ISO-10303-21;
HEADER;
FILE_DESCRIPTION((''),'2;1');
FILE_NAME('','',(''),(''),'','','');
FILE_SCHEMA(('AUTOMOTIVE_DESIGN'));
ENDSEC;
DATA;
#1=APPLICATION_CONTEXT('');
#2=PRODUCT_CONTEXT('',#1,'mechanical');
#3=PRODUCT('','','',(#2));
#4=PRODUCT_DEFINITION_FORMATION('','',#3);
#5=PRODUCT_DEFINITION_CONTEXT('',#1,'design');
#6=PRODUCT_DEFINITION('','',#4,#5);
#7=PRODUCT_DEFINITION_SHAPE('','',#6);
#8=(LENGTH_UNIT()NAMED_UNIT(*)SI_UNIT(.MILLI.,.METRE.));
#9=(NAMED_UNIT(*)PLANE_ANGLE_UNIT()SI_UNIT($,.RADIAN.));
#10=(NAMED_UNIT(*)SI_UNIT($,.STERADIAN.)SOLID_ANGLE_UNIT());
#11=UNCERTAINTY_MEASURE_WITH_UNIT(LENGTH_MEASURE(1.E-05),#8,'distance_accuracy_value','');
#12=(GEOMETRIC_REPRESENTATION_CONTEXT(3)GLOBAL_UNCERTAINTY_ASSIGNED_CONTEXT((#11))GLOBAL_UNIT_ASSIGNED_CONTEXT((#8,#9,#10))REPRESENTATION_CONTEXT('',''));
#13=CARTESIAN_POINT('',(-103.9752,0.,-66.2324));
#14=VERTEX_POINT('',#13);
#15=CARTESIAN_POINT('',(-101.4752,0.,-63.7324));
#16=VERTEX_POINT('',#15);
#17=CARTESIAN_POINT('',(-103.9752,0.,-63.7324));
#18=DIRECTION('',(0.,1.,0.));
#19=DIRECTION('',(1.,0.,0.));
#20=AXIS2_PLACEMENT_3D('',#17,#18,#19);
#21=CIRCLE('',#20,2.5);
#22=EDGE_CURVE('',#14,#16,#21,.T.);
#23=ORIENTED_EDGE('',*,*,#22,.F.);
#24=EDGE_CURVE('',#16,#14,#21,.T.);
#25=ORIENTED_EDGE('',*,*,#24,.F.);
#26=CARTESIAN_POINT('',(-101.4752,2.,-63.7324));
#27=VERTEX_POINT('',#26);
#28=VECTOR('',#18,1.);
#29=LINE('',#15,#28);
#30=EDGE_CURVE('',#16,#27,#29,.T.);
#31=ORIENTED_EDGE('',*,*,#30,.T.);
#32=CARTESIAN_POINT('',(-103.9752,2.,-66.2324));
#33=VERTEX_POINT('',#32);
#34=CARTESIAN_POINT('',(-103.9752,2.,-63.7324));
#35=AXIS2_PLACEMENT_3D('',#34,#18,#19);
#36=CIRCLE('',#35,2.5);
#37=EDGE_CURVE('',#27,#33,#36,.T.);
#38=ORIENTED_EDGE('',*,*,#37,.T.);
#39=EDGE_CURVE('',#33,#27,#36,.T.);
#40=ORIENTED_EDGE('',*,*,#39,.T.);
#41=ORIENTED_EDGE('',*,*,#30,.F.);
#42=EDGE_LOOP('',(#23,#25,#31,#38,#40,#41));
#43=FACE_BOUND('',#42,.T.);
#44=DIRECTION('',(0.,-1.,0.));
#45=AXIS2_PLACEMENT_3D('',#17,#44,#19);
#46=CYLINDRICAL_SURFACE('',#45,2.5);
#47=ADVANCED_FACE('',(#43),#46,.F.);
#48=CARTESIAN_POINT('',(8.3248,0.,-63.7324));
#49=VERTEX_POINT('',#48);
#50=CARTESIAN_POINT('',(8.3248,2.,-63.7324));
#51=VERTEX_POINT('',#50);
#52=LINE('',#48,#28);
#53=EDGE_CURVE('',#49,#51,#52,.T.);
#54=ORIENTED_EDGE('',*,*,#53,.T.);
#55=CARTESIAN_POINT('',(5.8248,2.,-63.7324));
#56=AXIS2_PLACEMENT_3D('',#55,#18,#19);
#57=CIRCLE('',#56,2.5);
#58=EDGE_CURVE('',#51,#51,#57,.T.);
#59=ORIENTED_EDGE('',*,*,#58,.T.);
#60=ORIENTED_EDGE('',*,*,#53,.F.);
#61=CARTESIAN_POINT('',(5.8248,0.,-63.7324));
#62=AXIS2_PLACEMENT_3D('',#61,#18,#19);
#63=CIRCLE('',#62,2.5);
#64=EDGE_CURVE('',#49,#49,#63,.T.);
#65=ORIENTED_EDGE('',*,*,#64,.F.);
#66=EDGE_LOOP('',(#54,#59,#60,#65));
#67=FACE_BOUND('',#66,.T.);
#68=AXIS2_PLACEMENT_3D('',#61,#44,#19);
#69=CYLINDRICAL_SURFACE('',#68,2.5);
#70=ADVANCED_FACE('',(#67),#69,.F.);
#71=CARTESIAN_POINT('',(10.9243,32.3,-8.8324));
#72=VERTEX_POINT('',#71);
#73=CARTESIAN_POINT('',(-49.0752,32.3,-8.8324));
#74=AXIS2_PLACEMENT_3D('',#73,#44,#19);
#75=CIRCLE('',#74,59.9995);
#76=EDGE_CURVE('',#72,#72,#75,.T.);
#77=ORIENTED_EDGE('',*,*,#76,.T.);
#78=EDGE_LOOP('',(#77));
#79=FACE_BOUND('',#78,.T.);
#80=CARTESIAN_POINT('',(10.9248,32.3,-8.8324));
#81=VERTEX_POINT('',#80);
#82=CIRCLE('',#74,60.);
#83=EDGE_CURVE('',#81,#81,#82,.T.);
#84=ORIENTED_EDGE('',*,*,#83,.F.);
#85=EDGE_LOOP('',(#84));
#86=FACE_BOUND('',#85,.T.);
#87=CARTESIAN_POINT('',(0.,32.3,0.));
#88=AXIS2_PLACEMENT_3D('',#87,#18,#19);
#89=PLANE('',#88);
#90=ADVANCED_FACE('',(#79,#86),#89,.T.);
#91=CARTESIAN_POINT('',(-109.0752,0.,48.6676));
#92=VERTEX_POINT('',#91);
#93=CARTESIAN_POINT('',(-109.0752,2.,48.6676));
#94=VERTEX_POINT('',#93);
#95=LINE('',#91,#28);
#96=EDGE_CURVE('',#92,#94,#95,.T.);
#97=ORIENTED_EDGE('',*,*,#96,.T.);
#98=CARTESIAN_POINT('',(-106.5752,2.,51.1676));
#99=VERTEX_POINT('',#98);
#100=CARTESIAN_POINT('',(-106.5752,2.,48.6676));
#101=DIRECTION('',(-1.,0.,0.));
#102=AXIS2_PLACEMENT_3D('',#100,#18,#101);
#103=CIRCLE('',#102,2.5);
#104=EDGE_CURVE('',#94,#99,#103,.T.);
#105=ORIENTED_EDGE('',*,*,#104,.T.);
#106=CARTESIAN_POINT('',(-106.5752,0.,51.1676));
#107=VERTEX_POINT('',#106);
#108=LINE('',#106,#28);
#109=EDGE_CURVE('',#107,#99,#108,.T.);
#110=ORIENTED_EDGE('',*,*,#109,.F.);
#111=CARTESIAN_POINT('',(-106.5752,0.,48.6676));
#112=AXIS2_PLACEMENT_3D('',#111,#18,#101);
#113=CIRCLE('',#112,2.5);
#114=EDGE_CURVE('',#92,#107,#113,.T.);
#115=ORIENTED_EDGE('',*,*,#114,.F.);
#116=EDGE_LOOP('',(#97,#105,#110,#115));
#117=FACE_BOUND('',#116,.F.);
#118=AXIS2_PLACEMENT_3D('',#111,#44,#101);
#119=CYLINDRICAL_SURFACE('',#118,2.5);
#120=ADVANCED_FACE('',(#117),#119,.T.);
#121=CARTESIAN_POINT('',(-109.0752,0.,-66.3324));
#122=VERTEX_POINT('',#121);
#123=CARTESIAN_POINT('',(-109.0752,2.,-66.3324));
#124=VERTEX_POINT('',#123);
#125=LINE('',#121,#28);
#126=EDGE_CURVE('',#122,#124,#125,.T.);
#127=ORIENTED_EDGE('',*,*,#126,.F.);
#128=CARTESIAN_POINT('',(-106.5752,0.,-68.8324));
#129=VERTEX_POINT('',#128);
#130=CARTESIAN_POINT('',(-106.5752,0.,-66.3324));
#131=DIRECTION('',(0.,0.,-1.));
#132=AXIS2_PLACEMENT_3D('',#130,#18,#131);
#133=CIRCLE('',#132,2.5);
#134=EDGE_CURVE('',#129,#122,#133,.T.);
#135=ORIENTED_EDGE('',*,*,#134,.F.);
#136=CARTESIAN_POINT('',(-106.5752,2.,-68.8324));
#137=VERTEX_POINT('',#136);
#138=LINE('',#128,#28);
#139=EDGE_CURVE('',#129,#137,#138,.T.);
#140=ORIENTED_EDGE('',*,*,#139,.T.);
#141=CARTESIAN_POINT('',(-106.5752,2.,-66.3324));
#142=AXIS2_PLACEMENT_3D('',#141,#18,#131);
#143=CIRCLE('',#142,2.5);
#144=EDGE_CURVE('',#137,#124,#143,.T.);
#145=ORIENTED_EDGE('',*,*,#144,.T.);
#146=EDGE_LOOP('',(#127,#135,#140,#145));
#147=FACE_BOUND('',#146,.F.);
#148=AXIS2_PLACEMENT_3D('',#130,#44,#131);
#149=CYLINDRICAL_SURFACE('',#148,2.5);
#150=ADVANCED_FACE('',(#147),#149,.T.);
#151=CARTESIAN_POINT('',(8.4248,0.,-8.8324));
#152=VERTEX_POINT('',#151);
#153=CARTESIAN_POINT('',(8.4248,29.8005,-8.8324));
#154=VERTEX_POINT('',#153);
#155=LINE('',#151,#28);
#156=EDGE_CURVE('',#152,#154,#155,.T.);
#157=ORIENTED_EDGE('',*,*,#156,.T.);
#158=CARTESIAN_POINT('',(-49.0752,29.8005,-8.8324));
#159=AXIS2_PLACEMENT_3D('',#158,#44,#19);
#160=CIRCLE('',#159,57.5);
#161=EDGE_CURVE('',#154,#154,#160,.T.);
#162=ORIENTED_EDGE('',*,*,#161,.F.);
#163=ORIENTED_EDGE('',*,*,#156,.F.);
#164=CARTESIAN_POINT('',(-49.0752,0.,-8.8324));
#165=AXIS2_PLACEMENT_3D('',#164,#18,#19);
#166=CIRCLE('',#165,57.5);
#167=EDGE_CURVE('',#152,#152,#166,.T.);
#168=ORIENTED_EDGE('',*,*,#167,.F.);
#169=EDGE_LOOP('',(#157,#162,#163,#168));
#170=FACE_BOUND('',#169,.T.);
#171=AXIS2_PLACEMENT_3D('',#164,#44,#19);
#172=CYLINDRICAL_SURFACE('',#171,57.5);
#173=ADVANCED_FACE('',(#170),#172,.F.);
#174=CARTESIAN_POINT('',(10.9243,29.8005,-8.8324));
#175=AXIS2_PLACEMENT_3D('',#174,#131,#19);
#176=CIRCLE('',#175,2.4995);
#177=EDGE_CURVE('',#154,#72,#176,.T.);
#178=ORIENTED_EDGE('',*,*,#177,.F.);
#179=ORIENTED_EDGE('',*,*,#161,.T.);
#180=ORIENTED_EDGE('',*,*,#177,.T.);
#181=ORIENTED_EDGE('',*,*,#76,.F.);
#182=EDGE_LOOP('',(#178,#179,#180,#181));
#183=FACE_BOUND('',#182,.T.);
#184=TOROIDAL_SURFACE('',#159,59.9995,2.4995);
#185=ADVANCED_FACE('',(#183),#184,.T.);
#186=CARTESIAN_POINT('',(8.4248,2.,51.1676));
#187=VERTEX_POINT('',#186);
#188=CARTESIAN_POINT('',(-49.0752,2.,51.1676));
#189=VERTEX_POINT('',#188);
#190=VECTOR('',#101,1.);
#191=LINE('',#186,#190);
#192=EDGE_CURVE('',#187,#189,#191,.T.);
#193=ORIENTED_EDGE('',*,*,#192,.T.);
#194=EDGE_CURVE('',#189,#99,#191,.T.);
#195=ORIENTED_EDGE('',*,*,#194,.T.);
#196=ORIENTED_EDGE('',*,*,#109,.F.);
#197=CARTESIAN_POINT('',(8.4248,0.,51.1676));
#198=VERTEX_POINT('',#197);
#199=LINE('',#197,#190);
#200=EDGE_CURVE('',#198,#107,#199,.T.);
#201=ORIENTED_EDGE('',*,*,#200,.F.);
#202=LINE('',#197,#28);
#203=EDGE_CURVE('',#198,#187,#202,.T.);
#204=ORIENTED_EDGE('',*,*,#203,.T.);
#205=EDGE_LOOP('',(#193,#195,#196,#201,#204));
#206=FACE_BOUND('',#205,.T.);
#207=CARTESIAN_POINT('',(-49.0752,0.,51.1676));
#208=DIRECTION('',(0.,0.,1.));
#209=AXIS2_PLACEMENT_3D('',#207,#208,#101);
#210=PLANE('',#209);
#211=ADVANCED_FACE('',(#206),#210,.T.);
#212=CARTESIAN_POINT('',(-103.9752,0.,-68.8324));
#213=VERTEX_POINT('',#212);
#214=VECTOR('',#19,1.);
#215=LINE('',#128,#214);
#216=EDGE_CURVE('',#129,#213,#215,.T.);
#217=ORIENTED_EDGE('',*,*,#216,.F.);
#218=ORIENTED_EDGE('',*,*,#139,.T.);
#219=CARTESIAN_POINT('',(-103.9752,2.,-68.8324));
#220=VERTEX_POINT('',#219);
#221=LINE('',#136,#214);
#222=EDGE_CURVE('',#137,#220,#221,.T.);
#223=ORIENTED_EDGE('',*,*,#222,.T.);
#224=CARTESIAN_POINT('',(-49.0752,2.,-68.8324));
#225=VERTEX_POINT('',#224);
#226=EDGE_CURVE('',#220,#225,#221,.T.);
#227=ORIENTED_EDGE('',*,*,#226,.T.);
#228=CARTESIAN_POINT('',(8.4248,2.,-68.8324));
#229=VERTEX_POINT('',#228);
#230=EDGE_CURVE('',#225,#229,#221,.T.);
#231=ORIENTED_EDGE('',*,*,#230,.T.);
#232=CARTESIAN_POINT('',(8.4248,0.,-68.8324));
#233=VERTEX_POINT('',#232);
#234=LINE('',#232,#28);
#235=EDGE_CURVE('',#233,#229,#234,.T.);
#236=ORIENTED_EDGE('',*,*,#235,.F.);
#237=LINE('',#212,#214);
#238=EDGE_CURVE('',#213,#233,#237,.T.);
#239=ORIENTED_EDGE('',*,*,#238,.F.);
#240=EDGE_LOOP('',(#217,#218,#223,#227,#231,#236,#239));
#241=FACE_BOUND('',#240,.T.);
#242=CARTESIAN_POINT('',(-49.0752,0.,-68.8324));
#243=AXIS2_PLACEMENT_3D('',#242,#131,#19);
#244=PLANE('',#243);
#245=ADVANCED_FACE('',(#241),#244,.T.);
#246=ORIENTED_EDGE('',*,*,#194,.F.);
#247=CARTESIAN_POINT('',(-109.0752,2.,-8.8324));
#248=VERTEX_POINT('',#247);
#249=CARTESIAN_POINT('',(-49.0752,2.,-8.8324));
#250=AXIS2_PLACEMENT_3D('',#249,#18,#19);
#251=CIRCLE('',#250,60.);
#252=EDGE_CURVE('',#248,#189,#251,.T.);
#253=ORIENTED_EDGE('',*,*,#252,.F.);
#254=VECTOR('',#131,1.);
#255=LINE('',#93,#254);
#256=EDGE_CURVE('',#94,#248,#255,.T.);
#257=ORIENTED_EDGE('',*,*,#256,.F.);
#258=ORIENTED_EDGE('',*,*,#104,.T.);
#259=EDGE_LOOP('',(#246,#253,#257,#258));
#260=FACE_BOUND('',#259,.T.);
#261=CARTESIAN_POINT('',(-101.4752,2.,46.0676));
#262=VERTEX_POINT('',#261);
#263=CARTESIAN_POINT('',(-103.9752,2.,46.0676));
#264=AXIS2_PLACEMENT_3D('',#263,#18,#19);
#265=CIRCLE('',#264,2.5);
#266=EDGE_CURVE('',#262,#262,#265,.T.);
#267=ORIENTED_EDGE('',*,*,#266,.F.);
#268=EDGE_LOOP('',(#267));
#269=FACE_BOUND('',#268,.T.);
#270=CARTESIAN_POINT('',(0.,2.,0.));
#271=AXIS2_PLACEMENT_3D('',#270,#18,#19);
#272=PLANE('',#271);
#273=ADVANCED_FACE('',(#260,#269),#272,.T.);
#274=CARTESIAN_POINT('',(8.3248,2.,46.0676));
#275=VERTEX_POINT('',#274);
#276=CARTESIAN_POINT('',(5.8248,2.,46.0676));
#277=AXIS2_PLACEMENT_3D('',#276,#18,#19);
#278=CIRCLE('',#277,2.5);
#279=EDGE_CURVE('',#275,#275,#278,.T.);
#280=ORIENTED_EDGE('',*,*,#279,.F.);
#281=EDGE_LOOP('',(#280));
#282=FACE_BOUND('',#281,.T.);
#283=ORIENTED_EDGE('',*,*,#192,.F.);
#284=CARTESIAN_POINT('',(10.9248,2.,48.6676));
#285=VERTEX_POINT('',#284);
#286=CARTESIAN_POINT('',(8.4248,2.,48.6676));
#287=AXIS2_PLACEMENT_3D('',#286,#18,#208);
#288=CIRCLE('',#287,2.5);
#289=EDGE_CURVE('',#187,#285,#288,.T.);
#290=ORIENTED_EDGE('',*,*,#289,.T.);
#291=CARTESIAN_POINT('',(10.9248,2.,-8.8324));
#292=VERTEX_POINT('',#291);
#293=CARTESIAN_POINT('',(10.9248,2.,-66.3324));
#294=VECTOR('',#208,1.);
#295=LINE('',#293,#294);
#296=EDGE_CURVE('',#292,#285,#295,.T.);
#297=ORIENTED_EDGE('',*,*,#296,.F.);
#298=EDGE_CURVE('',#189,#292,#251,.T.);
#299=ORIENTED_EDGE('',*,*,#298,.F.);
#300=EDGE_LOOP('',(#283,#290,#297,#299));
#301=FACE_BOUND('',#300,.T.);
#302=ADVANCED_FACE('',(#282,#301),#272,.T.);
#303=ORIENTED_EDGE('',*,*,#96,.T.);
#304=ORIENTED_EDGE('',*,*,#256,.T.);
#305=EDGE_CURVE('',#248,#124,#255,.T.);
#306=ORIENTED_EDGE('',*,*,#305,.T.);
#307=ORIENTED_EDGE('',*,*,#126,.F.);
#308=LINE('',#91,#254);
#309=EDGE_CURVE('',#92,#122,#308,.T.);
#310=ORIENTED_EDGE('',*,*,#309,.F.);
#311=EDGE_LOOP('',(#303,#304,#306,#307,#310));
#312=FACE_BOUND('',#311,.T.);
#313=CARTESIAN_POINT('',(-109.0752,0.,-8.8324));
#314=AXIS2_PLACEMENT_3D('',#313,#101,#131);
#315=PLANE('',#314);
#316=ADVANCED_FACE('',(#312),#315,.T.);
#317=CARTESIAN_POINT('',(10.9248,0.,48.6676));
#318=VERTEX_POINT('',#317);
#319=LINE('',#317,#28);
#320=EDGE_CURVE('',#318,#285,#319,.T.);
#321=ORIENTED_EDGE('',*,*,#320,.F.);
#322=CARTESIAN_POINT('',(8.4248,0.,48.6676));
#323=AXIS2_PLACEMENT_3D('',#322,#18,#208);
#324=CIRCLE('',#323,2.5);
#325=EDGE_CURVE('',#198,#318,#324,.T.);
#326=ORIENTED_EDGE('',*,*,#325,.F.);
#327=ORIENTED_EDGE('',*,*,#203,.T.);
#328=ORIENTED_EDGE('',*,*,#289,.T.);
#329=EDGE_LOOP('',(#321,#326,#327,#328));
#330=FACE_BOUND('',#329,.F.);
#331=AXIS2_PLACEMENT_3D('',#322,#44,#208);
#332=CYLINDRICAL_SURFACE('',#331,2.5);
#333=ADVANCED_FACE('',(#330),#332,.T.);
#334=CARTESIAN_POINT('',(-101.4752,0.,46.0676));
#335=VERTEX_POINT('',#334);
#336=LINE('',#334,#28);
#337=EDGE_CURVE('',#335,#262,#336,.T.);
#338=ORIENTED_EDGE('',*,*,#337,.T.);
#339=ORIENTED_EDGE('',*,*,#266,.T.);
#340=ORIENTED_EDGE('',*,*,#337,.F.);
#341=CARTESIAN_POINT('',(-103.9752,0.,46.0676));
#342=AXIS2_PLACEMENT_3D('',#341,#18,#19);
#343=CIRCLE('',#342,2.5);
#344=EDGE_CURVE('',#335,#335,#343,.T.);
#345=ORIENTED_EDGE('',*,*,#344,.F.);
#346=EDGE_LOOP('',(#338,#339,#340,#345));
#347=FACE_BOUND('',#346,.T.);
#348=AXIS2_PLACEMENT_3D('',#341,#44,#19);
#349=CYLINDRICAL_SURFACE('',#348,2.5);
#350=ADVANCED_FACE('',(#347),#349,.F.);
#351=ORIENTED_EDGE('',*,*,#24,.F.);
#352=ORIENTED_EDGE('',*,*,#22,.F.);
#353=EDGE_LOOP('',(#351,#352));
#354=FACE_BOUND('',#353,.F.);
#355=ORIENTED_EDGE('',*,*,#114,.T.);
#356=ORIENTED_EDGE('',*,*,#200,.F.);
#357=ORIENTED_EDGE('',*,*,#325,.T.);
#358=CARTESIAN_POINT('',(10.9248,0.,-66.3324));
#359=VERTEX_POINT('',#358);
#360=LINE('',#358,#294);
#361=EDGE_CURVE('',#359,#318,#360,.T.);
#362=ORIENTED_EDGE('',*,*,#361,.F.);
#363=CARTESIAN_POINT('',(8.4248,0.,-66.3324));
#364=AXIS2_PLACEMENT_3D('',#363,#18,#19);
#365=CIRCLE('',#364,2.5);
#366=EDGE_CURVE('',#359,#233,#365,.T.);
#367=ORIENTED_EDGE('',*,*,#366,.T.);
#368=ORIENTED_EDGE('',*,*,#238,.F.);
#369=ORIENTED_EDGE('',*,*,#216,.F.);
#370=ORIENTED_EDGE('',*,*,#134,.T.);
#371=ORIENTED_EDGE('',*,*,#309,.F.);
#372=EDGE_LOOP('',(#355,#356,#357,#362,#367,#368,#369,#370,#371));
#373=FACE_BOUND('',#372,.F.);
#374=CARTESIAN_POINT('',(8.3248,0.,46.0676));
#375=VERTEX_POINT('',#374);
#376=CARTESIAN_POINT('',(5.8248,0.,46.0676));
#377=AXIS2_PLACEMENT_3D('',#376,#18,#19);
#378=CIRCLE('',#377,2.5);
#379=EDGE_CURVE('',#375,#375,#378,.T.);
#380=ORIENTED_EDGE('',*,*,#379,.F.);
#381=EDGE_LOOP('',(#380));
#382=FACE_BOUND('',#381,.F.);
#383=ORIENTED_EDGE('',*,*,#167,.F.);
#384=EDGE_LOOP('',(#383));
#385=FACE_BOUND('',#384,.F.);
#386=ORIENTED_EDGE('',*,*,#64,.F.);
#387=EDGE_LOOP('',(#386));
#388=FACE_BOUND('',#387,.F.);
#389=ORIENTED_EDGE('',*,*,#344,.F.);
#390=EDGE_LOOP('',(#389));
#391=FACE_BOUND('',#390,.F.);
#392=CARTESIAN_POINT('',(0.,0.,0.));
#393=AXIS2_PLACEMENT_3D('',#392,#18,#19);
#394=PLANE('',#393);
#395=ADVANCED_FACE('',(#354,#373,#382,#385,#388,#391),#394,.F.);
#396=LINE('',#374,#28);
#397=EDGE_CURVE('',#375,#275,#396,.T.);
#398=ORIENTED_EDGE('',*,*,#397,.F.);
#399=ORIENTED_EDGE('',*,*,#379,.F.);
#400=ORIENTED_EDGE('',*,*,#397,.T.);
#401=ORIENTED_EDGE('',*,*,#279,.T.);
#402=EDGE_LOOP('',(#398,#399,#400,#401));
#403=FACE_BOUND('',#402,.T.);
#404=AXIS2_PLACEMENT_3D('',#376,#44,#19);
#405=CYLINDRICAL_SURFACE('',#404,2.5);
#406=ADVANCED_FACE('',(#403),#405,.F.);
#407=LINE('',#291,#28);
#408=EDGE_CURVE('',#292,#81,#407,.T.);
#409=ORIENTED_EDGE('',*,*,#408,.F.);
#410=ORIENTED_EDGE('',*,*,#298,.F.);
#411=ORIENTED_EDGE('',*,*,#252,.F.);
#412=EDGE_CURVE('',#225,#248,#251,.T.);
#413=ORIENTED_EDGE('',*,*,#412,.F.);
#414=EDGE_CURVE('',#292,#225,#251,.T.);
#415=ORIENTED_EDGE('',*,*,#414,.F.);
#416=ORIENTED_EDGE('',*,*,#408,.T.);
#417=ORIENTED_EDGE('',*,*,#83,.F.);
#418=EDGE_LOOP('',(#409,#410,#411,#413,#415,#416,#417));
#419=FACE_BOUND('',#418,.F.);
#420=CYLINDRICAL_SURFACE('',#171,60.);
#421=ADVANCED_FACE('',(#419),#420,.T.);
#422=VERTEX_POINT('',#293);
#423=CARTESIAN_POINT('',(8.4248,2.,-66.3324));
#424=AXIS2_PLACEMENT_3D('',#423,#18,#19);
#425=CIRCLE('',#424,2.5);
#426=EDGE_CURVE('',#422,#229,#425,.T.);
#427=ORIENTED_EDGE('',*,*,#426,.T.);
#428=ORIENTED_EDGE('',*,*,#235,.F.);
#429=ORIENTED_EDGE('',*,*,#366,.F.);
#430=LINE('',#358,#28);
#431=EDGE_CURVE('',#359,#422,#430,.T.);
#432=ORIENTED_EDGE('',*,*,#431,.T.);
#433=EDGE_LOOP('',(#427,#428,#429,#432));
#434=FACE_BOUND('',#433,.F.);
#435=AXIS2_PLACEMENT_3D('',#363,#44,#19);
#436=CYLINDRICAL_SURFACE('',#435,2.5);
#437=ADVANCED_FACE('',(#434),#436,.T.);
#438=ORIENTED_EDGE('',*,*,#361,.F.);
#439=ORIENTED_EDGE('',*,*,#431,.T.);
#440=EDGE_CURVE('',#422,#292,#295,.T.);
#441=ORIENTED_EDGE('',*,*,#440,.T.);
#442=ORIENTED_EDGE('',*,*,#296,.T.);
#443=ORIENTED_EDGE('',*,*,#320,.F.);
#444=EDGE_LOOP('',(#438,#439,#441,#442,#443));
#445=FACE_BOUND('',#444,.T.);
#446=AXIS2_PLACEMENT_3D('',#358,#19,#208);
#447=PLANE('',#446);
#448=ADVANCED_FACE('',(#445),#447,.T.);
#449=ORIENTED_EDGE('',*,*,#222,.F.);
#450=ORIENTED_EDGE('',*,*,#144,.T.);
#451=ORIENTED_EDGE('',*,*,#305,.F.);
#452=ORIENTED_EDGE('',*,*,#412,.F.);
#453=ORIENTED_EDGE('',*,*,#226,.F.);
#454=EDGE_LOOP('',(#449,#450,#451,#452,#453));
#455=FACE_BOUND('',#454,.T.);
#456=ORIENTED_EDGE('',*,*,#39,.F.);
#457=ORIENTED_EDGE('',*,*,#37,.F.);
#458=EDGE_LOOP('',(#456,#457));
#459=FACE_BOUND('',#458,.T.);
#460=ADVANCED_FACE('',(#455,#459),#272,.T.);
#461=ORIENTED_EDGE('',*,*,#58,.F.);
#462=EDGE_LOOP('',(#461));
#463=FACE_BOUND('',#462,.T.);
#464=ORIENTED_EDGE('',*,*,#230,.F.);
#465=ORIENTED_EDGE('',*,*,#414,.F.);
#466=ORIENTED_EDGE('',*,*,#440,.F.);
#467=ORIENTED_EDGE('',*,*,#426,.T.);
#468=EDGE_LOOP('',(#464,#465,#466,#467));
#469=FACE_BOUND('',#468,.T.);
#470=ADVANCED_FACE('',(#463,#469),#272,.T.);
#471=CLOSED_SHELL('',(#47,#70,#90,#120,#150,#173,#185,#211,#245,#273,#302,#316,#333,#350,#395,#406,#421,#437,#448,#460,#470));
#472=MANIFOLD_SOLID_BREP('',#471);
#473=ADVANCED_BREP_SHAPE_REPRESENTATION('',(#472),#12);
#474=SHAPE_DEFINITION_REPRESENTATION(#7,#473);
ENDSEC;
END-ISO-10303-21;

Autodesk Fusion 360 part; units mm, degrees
sketch "Sketch1" plane through (0, 0, 0) normal (0, 1, 0) x (1, 0, 0)
  line L0 (-106.5752, 68.8324) -> (8.4248, 68.8324)
  line L1 (10.9248, 66.3324) -> (10.9248, -48.6676)
  line L2 (8.4248, -51.1676) -> (-106.5752, -51.1676)
  line L3 (-109.0752, -48.6676) -> (-109.0752, 66.3324)
  line L4 (-49.0752, 68.8324) -> (-49.0752, -51.1676)
  line L5 (-109.0752, 8.8324) -> (10.9248, 8.8324)
  circle A0 centre (-49.0752, 8.8324) radius 57.5
  line L6 (-109.0752, 68.8324) -> (-103.9752, 68.8324)
  line L7 (-103.9752, 68.8324) -> (-103.9752, 63.7324)
  circle A1 centre (-103.9752, 63.7324) radius 2.5
  circle A2 centre (5.8248, 63.7324) radius 2.5
  circle A3 centre (-103.9752, -46.0676) radius 2.5
  circle A4 centre (5.8248, -46.0676) radius 2.5
  circle A5 centre (-49.0752, 8.8324) radius 60
  arc A6 (-109.0752, -48.6676) -> (-106.5752, -51.1676) centre (-106.5752, -48.6676) ccw
  arc A7 (8.4248, -51.1676) -> (10.9248, -48.6676) centre (8.4248, -48.6676) ccw
  arc A8 (10.9248, 66.3324) -> (8.4248, 68.8324) centre (8.4248, 66.3324) ccw
  arc A9 (-106.5752, 68.8324) -> (-109.0752, 66.3324) centre (-106.5752, 66.3324) ccw
  point P0 (10.9248, 68.8324)
  point P1 (10.9248, -51.1676)
  dimension "d1" = 120
  dimension "d2" = 120
  dimension "d3" = 115
  dimension "d4" = 5.1
  dimension "d6" = 5.1
  dimension "d7" = 5
  dimension "d8" = 2.5
  dimension "d9" = 2.5
  dimension "d10" = 2.5
  dimension "d11" = 2.5
extrude "Extrude1" add sketch "Sketch1" along normal blind 2 contours L0 L3 L6 A5 A9 | L0 L1 A5 A8 | L2 L3 A5 A6 | L1 L2 A5 A7
extrude "Extrude2" add sketch "Sketch1" along normal blind 24 contours L4 L5 A0 A5 | L4 L5 A0 A5 | L4 L5 A0 A5 | L4 L5 A0 A5
fillet "Fillet1" radius 2 1 edges at (-102.684, 24, -29.6253)
extrude "Extrude3" add sketch "Sketch1" along normal blind 32.3 contours L4 L5 A0 A5 | L4 L5 A0 A5 | L4 L5 A0 A5 | L4 L5 A0 A5
fillet "Fillet2" radius 2.5 1 edges at (-102.684, 32.3, -29.6253)
